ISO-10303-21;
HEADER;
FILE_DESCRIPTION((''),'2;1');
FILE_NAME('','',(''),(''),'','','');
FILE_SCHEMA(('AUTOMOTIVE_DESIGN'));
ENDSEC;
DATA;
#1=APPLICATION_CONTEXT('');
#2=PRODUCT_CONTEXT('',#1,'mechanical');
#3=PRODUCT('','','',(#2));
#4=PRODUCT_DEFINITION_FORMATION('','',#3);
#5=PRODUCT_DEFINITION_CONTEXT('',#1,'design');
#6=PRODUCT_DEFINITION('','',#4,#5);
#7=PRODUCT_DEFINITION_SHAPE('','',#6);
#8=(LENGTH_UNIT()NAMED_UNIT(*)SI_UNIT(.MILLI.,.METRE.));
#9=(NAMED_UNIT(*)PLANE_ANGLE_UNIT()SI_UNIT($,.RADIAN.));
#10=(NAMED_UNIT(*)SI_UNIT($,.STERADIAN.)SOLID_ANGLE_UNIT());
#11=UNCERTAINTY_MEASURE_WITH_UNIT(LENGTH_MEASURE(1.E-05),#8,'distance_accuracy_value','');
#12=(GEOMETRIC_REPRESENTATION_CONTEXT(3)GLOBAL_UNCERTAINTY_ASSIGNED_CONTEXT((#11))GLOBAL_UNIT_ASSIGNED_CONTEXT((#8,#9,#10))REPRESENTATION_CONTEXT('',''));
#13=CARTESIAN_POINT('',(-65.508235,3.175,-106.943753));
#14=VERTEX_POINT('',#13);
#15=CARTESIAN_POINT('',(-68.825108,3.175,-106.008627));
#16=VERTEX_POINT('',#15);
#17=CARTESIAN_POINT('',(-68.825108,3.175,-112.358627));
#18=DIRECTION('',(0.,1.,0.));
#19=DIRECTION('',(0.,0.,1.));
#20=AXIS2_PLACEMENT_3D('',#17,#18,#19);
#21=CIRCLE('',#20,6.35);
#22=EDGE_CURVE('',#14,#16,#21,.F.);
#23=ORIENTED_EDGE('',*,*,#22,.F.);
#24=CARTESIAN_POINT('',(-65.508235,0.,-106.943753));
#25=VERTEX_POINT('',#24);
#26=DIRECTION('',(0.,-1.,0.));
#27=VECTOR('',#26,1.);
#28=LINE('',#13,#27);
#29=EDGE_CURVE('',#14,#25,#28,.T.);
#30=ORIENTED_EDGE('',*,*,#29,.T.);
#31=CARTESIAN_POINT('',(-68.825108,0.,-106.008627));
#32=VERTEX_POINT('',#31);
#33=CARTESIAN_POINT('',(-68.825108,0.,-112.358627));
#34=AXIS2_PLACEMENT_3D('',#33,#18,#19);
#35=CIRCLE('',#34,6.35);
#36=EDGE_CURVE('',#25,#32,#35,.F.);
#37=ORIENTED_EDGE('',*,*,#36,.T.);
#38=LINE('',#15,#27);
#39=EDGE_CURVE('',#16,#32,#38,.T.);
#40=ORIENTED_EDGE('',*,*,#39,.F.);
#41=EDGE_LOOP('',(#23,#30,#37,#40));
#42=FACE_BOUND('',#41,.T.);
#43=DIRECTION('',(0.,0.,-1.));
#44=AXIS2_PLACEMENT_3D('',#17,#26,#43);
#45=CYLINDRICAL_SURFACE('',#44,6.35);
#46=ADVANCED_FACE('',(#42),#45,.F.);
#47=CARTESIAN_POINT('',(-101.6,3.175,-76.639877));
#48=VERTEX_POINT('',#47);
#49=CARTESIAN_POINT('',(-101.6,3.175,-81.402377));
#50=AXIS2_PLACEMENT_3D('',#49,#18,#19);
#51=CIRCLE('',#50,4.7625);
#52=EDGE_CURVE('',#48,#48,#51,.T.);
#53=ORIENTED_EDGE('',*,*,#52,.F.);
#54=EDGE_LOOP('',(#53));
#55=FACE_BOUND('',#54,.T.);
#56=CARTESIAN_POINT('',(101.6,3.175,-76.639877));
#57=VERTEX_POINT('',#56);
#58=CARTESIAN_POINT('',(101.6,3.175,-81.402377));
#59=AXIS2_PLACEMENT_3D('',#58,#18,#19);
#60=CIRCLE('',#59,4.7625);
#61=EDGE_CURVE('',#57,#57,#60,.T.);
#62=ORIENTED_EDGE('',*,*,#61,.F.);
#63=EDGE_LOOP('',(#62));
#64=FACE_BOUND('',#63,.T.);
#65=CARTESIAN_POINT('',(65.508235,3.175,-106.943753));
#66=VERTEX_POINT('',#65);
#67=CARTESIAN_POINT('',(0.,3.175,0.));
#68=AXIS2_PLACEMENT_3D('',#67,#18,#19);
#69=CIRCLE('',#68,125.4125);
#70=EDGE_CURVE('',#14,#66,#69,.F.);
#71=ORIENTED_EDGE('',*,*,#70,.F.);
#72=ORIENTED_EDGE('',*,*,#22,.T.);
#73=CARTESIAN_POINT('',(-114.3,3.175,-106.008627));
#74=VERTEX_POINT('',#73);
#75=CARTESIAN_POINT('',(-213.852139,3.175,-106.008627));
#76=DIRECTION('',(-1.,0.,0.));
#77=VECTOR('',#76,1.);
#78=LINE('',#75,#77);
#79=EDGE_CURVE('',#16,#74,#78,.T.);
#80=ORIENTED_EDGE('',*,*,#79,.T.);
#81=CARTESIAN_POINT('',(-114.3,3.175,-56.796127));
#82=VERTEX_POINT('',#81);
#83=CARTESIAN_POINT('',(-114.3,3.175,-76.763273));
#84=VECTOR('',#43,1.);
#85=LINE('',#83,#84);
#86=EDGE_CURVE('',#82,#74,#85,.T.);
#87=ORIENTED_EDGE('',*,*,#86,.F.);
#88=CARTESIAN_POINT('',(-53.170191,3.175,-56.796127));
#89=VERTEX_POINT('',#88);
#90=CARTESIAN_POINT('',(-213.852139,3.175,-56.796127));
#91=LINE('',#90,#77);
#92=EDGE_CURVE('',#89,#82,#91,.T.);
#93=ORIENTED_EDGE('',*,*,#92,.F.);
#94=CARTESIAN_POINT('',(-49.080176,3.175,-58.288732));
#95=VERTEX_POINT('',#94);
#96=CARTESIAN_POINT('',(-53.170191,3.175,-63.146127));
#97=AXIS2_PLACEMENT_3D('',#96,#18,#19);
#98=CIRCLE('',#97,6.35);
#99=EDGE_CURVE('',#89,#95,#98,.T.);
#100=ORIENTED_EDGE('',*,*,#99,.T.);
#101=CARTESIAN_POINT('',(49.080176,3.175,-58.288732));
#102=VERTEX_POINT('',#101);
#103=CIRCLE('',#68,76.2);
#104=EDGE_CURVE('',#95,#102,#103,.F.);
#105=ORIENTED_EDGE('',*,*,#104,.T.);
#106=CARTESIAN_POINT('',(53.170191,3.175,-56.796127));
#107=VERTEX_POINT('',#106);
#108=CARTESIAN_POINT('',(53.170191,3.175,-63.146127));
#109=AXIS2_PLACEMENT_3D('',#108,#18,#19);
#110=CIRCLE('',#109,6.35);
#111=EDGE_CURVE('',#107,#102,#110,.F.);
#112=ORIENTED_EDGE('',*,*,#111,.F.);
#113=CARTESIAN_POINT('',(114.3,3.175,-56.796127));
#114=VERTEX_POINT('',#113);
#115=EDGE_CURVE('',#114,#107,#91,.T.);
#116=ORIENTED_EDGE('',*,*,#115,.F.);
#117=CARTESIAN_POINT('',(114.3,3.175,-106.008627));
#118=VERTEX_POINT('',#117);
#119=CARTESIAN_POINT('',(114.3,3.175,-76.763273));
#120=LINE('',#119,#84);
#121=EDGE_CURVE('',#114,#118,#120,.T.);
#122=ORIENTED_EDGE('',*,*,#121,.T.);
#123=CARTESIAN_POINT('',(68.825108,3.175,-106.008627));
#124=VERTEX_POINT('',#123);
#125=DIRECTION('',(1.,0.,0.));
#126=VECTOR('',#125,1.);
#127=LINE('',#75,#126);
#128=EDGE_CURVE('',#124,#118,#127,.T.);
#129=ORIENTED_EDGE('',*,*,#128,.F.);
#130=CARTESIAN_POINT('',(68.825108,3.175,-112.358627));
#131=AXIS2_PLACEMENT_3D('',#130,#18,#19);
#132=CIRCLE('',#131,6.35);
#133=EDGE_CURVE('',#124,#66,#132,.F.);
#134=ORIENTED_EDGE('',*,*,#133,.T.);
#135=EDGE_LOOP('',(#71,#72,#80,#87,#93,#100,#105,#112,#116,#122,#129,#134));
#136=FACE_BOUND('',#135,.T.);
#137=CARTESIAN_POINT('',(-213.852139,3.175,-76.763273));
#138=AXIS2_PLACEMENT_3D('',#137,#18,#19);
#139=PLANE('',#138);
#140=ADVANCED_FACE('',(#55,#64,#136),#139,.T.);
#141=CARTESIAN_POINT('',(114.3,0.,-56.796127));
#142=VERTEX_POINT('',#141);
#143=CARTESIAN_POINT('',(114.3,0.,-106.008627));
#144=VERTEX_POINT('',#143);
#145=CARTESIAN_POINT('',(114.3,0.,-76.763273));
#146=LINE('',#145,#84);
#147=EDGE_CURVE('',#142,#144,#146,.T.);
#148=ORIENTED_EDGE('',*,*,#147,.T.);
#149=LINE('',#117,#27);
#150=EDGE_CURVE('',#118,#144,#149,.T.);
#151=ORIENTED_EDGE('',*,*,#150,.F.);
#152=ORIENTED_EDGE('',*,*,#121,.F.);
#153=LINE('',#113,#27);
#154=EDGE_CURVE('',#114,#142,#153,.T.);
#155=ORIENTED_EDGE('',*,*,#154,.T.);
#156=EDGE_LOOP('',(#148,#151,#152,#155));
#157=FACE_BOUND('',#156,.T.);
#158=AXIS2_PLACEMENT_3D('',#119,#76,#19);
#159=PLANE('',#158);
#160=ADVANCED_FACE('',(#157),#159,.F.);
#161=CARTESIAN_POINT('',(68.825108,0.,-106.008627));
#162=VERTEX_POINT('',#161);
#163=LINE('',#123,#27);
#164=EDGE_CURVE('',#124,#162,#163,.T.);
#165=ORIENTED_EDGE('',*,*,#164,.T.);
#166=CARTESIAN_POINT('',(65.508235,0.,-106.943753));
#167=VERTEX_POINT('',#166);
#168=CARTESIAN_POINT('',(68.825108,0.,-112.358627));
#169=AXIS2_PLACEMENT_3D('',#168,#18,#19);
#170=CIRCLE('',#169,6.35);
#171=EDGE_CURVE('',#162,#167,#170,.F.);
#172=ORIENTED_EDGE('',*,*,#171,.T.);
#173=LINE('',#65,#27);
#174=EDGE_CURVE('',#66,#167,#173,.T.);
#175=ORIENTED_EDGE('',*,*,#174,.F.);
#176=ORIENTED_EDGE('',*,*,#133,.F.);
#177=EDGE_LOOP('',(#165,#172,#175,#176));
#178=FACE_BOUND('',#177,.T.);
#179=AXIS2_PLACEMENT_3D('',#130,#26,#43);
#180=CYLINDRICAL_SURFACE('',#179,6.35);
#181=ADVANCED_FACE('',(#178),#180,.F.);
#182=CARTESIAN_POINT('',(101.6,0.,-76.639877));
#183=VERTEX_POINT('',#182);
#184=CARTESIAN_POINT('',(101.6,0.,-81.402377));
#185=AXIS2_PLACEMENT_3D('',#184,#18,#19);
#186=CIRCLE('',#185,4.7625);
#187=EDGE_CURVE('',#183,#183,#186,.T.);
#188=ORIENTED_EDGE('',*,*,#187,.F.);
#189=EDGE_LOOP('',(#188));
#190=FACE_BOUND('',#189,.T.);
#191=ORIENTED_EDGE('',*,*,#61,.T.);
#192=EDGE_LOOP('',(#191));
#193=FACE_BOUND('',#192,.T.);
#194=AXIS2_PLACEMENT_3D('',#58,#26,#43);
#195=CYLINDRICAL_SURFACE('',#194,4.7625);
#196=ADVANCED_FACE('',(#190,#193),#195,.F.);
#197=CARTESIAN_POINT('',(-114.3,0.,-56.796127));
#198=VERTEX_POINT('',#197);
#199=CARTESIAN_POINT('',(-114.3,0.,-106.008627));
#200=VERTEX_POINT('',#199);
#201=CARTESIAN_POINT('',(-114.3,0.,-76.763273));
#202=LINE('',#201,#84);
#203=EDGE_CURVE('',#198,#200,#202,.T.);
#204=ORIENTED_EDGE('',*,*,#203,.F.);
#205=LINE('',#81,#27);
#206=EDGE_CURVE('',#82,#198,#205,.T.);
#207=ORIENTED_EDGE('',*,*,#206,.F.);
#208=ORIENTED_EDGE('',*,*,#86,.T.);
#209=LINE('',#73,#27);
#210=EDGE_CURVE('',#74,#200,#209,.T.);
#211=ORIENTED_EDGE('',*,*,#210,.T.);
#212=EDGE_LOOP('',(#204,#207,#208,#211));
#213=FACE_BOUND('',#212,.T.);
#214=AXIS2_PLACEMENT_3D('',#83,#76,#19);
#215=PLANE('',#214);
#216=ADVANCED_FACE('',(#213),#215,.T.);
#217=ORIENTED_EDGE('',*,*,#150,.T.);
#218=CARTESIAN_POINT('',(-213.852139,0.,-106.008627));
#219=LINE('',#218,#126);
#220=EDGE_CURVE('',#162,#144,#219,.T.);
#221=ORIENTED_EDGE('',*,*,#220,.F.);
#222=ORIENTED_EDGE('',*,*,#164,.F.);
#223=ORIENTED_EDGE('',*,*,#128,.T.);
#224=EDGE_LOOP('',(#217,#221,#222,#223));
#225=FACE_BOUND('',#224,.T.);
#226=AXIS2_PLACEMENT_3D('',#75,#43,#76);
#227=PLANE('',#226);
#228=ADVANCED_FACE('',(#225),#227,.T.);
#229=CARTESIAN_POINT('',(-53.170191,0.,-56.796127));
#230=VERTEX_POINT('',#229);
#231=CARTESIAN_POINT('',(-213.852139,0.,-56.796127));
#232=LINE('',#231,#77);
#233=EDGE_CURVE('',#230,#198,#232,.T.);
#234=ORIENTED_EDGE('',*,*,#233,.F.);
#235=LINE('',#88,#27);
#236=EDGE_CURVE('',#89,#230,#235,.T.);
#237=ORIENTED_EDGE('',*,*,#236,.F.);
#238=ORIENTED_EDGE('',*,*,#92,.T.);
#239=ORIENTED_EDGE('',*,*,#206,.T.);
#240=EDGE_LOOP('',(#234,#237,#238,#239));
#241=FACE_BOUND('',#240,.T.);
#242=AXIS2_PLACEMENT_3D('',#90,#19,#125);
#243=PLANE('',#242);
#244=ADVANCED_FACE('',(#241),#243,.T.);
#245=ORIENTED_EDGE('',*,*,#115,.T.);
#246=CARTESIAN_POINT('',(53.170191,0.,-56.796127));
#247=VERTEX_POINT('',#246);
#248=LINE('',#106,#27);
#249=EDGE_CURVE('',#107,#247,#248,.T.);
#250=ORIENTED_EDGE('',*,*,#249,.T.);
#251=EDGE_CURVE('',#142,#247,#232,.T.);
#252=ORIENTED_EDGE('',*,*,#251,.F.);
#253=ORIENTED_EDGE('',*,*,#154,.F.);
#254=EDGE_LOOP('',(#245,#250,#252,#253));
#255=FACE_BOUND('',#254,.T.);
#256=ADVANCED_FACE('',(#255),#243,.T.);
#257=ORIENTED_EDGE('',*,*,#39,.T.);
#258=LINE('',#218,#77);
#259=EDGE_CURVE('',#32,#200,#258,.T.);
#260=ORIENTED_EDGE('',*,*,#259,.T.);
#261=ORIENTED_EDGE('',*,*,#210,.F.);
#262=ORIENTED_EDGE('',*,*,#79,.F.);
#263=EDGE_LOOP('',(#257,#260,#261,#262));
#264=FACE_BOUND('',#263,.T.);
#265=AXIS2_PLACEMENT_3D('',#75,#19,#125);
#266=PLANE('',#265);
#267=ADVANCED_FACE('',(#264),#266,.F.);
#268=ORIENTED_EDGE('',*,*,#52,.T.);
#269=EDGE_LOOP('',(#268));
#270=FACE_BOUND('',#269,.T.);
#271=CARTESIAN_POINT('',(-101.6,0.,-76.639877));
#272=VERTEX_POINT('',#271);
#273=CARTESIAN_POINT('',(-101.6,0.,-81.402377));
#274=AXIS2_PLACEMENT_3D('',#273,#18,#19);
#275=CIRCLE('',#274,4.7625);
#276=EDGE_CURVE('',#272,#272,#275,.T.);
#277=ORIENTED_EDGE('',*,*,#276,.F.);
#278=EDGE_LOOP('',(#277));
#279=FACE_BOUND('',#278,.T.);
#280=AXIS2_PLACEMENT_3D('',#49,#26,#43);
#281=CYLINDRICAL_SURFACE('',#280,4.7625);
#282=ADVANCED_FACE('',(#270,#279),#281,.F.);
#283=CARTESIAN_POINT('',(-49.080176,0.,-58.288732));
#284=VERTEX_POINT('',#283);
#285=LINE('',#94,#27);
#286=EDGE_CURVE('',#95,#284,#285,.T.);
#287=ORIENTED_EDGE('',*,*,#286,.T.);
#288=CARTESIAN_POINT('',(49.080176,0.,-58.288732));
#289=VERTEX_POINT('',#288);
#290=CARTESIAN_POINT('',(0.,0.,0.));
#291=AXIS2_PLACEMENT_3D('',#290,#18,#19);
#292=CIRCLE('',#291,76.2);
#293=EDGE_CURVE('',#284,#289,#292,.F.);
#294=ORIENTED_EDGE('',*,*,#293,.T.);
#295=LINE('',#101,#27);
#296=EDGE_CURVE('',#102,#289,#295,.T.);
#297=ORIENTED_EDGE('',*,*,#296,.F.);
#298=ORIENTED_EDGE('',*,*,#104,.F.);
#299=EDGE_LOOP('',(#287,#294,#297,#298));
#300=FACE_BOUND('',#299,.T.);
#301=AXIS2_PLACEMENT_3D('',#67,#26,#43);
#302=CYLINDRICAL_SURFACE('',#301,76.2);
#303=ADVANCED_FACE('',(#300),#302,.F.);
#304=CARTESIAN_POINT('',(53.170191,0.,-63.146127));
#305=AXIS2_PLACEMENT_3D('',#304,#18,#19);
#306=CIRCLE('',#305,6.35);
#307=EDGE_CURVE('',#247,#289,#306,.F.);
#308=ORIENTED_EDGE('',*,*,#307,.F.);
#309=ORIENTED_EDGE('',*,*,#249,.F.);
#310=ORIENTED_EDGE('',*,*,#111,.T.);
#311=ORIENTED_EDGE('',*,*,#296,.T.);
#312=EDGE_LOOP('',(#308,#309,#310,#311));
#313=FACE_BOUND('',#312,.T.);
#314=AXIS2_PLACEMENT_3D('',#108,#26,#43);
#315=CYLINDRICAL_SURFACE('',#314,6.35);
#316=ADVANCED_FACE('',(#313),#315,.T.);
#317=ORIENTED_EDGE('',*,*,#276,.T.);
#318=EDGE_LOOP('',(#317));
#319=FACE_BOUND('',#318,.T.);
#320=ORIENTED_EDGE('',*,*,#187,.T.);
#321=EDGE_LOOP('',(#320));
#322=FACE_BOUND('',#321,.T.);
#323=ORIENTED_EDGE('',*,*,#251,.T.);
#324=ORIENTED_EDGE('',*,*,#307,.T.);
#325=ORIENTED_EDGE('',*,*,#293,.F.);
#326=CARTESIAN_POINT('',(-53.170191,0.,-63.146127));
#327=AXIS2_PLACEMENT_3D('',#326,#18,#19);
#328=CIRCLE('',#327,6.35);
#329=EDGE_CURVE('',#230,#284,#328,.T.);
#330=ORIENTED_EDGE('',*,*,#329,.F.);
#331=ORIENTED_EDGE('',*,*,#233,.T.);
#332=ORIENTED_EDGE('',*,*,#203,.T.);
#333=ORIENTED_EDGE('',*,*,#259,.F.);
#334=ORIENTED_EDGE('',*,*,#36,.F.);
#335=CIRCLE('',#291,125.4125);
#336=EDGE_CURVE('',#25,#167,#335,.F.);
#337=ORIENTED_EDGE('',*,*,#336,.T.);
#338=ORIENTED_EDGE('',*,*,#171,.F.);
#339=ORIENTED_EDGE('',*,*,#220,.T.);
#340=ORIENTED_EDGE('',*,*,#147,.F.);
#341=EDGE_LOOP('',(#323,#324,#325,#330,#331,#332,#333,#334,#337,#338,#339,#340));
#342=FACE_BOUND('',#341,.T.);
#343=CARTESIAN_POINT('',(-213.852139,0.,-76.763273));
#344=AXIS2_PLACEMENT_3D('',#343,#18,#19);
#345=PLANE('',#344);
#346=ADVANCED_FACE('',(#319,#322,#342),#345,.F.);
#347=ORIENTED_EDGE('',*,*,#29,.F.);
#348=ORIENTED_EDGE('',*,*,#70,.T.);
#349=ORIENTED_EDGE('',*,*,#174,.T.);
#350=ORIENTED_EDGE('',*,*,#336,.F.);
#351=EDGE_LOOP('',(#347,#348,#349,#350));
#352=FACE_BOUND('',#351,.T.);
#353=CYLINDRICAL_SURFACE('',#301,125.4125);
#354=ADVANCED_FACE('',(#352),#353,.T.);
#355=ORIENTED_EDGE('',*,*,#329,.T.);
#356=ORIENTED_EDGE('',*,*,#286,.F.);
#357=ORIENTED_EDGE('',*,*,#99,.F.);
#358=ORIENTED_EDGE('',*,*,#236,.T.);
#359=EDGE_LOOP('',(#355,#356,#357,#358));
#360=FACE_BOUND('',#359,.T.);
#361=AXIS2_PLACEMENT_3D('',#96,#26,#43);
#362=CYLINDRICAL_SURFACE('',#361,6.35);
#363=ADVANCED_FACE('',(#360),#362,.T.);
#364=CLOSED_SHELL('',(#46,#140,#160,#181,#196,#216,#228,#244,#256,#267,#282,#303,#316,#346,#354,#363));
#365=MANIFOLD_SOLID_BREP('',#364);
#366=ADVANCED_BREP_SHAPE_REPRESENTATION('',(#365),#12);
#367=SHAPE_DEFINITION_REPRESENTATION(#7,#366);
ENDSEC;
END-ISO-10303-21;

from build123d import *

# Parameters (mm, degrees)
SKETCH1_R      = 4.7625
EXTRUDE1_DEPTH = 3.175


with BuildPart() as part:
    # Sketch1 → Extrude1 (new body)
    with BuildSketch(Plane(origin=(0, 0, 0), x_dir=(1, 0, 0), z_dir=(0, 1, 0))):
        with BuildLine():
            Line((-53.17019082, 56.796126628), (-114.3, 56.796126628))
            Line((-114.3, 56.796126628), (-114.3, 106.008626628))
            Line((-114.3, 106.008626628), (-68.825107544, 106.008626628))
            ThreePointArc((-68.825107544, 106.008626628), (-67.102021241, 106.246877812), (-65.508234891, 106.943753056))
            ThreePointArc((-65.508234891, 106.943753056), (0, 125.4125), (65.508234891, 106.943753056))
            ThreePointArc((65.508234891, 106.943753056), (67.102021241, 106.246877812), (68.825107544, 106.008626628))
            Line((68.825107544, 106.008626628), (114.3, 106.008626628))
            Line((114.3, 106.008626628), (114.3, 56.796126628))
            Line((114.3, 56.796126628), (53.17019082, 56.796126628))
            ThreePointArc((53.17019082, 56.796126628), (50.99326112, 57.180937857), (49.080176141, 58.288732272))
            ThreePointArc((49.080176141, 58.288732272), (0, 76.2), (-49.080176141, 58.288732272))
            ThreePointArc((-49.080176141, 58.288732272), (-50.99326112, 57.180937857), (-53.17019082, 56.796126628))
        make_face()
        with Locations((101.6, 81.402376628)):
            Circle(SKETCH1_R, mode=Mode.SUBTRACT)
        with Locations((-101.6, 81.402376628)):
            Circle(SKETCH1_R, mode=Mode.SUBTRACT)
    extrude(amount=EXTRUDE1_DEPTH)


solid = part.part
